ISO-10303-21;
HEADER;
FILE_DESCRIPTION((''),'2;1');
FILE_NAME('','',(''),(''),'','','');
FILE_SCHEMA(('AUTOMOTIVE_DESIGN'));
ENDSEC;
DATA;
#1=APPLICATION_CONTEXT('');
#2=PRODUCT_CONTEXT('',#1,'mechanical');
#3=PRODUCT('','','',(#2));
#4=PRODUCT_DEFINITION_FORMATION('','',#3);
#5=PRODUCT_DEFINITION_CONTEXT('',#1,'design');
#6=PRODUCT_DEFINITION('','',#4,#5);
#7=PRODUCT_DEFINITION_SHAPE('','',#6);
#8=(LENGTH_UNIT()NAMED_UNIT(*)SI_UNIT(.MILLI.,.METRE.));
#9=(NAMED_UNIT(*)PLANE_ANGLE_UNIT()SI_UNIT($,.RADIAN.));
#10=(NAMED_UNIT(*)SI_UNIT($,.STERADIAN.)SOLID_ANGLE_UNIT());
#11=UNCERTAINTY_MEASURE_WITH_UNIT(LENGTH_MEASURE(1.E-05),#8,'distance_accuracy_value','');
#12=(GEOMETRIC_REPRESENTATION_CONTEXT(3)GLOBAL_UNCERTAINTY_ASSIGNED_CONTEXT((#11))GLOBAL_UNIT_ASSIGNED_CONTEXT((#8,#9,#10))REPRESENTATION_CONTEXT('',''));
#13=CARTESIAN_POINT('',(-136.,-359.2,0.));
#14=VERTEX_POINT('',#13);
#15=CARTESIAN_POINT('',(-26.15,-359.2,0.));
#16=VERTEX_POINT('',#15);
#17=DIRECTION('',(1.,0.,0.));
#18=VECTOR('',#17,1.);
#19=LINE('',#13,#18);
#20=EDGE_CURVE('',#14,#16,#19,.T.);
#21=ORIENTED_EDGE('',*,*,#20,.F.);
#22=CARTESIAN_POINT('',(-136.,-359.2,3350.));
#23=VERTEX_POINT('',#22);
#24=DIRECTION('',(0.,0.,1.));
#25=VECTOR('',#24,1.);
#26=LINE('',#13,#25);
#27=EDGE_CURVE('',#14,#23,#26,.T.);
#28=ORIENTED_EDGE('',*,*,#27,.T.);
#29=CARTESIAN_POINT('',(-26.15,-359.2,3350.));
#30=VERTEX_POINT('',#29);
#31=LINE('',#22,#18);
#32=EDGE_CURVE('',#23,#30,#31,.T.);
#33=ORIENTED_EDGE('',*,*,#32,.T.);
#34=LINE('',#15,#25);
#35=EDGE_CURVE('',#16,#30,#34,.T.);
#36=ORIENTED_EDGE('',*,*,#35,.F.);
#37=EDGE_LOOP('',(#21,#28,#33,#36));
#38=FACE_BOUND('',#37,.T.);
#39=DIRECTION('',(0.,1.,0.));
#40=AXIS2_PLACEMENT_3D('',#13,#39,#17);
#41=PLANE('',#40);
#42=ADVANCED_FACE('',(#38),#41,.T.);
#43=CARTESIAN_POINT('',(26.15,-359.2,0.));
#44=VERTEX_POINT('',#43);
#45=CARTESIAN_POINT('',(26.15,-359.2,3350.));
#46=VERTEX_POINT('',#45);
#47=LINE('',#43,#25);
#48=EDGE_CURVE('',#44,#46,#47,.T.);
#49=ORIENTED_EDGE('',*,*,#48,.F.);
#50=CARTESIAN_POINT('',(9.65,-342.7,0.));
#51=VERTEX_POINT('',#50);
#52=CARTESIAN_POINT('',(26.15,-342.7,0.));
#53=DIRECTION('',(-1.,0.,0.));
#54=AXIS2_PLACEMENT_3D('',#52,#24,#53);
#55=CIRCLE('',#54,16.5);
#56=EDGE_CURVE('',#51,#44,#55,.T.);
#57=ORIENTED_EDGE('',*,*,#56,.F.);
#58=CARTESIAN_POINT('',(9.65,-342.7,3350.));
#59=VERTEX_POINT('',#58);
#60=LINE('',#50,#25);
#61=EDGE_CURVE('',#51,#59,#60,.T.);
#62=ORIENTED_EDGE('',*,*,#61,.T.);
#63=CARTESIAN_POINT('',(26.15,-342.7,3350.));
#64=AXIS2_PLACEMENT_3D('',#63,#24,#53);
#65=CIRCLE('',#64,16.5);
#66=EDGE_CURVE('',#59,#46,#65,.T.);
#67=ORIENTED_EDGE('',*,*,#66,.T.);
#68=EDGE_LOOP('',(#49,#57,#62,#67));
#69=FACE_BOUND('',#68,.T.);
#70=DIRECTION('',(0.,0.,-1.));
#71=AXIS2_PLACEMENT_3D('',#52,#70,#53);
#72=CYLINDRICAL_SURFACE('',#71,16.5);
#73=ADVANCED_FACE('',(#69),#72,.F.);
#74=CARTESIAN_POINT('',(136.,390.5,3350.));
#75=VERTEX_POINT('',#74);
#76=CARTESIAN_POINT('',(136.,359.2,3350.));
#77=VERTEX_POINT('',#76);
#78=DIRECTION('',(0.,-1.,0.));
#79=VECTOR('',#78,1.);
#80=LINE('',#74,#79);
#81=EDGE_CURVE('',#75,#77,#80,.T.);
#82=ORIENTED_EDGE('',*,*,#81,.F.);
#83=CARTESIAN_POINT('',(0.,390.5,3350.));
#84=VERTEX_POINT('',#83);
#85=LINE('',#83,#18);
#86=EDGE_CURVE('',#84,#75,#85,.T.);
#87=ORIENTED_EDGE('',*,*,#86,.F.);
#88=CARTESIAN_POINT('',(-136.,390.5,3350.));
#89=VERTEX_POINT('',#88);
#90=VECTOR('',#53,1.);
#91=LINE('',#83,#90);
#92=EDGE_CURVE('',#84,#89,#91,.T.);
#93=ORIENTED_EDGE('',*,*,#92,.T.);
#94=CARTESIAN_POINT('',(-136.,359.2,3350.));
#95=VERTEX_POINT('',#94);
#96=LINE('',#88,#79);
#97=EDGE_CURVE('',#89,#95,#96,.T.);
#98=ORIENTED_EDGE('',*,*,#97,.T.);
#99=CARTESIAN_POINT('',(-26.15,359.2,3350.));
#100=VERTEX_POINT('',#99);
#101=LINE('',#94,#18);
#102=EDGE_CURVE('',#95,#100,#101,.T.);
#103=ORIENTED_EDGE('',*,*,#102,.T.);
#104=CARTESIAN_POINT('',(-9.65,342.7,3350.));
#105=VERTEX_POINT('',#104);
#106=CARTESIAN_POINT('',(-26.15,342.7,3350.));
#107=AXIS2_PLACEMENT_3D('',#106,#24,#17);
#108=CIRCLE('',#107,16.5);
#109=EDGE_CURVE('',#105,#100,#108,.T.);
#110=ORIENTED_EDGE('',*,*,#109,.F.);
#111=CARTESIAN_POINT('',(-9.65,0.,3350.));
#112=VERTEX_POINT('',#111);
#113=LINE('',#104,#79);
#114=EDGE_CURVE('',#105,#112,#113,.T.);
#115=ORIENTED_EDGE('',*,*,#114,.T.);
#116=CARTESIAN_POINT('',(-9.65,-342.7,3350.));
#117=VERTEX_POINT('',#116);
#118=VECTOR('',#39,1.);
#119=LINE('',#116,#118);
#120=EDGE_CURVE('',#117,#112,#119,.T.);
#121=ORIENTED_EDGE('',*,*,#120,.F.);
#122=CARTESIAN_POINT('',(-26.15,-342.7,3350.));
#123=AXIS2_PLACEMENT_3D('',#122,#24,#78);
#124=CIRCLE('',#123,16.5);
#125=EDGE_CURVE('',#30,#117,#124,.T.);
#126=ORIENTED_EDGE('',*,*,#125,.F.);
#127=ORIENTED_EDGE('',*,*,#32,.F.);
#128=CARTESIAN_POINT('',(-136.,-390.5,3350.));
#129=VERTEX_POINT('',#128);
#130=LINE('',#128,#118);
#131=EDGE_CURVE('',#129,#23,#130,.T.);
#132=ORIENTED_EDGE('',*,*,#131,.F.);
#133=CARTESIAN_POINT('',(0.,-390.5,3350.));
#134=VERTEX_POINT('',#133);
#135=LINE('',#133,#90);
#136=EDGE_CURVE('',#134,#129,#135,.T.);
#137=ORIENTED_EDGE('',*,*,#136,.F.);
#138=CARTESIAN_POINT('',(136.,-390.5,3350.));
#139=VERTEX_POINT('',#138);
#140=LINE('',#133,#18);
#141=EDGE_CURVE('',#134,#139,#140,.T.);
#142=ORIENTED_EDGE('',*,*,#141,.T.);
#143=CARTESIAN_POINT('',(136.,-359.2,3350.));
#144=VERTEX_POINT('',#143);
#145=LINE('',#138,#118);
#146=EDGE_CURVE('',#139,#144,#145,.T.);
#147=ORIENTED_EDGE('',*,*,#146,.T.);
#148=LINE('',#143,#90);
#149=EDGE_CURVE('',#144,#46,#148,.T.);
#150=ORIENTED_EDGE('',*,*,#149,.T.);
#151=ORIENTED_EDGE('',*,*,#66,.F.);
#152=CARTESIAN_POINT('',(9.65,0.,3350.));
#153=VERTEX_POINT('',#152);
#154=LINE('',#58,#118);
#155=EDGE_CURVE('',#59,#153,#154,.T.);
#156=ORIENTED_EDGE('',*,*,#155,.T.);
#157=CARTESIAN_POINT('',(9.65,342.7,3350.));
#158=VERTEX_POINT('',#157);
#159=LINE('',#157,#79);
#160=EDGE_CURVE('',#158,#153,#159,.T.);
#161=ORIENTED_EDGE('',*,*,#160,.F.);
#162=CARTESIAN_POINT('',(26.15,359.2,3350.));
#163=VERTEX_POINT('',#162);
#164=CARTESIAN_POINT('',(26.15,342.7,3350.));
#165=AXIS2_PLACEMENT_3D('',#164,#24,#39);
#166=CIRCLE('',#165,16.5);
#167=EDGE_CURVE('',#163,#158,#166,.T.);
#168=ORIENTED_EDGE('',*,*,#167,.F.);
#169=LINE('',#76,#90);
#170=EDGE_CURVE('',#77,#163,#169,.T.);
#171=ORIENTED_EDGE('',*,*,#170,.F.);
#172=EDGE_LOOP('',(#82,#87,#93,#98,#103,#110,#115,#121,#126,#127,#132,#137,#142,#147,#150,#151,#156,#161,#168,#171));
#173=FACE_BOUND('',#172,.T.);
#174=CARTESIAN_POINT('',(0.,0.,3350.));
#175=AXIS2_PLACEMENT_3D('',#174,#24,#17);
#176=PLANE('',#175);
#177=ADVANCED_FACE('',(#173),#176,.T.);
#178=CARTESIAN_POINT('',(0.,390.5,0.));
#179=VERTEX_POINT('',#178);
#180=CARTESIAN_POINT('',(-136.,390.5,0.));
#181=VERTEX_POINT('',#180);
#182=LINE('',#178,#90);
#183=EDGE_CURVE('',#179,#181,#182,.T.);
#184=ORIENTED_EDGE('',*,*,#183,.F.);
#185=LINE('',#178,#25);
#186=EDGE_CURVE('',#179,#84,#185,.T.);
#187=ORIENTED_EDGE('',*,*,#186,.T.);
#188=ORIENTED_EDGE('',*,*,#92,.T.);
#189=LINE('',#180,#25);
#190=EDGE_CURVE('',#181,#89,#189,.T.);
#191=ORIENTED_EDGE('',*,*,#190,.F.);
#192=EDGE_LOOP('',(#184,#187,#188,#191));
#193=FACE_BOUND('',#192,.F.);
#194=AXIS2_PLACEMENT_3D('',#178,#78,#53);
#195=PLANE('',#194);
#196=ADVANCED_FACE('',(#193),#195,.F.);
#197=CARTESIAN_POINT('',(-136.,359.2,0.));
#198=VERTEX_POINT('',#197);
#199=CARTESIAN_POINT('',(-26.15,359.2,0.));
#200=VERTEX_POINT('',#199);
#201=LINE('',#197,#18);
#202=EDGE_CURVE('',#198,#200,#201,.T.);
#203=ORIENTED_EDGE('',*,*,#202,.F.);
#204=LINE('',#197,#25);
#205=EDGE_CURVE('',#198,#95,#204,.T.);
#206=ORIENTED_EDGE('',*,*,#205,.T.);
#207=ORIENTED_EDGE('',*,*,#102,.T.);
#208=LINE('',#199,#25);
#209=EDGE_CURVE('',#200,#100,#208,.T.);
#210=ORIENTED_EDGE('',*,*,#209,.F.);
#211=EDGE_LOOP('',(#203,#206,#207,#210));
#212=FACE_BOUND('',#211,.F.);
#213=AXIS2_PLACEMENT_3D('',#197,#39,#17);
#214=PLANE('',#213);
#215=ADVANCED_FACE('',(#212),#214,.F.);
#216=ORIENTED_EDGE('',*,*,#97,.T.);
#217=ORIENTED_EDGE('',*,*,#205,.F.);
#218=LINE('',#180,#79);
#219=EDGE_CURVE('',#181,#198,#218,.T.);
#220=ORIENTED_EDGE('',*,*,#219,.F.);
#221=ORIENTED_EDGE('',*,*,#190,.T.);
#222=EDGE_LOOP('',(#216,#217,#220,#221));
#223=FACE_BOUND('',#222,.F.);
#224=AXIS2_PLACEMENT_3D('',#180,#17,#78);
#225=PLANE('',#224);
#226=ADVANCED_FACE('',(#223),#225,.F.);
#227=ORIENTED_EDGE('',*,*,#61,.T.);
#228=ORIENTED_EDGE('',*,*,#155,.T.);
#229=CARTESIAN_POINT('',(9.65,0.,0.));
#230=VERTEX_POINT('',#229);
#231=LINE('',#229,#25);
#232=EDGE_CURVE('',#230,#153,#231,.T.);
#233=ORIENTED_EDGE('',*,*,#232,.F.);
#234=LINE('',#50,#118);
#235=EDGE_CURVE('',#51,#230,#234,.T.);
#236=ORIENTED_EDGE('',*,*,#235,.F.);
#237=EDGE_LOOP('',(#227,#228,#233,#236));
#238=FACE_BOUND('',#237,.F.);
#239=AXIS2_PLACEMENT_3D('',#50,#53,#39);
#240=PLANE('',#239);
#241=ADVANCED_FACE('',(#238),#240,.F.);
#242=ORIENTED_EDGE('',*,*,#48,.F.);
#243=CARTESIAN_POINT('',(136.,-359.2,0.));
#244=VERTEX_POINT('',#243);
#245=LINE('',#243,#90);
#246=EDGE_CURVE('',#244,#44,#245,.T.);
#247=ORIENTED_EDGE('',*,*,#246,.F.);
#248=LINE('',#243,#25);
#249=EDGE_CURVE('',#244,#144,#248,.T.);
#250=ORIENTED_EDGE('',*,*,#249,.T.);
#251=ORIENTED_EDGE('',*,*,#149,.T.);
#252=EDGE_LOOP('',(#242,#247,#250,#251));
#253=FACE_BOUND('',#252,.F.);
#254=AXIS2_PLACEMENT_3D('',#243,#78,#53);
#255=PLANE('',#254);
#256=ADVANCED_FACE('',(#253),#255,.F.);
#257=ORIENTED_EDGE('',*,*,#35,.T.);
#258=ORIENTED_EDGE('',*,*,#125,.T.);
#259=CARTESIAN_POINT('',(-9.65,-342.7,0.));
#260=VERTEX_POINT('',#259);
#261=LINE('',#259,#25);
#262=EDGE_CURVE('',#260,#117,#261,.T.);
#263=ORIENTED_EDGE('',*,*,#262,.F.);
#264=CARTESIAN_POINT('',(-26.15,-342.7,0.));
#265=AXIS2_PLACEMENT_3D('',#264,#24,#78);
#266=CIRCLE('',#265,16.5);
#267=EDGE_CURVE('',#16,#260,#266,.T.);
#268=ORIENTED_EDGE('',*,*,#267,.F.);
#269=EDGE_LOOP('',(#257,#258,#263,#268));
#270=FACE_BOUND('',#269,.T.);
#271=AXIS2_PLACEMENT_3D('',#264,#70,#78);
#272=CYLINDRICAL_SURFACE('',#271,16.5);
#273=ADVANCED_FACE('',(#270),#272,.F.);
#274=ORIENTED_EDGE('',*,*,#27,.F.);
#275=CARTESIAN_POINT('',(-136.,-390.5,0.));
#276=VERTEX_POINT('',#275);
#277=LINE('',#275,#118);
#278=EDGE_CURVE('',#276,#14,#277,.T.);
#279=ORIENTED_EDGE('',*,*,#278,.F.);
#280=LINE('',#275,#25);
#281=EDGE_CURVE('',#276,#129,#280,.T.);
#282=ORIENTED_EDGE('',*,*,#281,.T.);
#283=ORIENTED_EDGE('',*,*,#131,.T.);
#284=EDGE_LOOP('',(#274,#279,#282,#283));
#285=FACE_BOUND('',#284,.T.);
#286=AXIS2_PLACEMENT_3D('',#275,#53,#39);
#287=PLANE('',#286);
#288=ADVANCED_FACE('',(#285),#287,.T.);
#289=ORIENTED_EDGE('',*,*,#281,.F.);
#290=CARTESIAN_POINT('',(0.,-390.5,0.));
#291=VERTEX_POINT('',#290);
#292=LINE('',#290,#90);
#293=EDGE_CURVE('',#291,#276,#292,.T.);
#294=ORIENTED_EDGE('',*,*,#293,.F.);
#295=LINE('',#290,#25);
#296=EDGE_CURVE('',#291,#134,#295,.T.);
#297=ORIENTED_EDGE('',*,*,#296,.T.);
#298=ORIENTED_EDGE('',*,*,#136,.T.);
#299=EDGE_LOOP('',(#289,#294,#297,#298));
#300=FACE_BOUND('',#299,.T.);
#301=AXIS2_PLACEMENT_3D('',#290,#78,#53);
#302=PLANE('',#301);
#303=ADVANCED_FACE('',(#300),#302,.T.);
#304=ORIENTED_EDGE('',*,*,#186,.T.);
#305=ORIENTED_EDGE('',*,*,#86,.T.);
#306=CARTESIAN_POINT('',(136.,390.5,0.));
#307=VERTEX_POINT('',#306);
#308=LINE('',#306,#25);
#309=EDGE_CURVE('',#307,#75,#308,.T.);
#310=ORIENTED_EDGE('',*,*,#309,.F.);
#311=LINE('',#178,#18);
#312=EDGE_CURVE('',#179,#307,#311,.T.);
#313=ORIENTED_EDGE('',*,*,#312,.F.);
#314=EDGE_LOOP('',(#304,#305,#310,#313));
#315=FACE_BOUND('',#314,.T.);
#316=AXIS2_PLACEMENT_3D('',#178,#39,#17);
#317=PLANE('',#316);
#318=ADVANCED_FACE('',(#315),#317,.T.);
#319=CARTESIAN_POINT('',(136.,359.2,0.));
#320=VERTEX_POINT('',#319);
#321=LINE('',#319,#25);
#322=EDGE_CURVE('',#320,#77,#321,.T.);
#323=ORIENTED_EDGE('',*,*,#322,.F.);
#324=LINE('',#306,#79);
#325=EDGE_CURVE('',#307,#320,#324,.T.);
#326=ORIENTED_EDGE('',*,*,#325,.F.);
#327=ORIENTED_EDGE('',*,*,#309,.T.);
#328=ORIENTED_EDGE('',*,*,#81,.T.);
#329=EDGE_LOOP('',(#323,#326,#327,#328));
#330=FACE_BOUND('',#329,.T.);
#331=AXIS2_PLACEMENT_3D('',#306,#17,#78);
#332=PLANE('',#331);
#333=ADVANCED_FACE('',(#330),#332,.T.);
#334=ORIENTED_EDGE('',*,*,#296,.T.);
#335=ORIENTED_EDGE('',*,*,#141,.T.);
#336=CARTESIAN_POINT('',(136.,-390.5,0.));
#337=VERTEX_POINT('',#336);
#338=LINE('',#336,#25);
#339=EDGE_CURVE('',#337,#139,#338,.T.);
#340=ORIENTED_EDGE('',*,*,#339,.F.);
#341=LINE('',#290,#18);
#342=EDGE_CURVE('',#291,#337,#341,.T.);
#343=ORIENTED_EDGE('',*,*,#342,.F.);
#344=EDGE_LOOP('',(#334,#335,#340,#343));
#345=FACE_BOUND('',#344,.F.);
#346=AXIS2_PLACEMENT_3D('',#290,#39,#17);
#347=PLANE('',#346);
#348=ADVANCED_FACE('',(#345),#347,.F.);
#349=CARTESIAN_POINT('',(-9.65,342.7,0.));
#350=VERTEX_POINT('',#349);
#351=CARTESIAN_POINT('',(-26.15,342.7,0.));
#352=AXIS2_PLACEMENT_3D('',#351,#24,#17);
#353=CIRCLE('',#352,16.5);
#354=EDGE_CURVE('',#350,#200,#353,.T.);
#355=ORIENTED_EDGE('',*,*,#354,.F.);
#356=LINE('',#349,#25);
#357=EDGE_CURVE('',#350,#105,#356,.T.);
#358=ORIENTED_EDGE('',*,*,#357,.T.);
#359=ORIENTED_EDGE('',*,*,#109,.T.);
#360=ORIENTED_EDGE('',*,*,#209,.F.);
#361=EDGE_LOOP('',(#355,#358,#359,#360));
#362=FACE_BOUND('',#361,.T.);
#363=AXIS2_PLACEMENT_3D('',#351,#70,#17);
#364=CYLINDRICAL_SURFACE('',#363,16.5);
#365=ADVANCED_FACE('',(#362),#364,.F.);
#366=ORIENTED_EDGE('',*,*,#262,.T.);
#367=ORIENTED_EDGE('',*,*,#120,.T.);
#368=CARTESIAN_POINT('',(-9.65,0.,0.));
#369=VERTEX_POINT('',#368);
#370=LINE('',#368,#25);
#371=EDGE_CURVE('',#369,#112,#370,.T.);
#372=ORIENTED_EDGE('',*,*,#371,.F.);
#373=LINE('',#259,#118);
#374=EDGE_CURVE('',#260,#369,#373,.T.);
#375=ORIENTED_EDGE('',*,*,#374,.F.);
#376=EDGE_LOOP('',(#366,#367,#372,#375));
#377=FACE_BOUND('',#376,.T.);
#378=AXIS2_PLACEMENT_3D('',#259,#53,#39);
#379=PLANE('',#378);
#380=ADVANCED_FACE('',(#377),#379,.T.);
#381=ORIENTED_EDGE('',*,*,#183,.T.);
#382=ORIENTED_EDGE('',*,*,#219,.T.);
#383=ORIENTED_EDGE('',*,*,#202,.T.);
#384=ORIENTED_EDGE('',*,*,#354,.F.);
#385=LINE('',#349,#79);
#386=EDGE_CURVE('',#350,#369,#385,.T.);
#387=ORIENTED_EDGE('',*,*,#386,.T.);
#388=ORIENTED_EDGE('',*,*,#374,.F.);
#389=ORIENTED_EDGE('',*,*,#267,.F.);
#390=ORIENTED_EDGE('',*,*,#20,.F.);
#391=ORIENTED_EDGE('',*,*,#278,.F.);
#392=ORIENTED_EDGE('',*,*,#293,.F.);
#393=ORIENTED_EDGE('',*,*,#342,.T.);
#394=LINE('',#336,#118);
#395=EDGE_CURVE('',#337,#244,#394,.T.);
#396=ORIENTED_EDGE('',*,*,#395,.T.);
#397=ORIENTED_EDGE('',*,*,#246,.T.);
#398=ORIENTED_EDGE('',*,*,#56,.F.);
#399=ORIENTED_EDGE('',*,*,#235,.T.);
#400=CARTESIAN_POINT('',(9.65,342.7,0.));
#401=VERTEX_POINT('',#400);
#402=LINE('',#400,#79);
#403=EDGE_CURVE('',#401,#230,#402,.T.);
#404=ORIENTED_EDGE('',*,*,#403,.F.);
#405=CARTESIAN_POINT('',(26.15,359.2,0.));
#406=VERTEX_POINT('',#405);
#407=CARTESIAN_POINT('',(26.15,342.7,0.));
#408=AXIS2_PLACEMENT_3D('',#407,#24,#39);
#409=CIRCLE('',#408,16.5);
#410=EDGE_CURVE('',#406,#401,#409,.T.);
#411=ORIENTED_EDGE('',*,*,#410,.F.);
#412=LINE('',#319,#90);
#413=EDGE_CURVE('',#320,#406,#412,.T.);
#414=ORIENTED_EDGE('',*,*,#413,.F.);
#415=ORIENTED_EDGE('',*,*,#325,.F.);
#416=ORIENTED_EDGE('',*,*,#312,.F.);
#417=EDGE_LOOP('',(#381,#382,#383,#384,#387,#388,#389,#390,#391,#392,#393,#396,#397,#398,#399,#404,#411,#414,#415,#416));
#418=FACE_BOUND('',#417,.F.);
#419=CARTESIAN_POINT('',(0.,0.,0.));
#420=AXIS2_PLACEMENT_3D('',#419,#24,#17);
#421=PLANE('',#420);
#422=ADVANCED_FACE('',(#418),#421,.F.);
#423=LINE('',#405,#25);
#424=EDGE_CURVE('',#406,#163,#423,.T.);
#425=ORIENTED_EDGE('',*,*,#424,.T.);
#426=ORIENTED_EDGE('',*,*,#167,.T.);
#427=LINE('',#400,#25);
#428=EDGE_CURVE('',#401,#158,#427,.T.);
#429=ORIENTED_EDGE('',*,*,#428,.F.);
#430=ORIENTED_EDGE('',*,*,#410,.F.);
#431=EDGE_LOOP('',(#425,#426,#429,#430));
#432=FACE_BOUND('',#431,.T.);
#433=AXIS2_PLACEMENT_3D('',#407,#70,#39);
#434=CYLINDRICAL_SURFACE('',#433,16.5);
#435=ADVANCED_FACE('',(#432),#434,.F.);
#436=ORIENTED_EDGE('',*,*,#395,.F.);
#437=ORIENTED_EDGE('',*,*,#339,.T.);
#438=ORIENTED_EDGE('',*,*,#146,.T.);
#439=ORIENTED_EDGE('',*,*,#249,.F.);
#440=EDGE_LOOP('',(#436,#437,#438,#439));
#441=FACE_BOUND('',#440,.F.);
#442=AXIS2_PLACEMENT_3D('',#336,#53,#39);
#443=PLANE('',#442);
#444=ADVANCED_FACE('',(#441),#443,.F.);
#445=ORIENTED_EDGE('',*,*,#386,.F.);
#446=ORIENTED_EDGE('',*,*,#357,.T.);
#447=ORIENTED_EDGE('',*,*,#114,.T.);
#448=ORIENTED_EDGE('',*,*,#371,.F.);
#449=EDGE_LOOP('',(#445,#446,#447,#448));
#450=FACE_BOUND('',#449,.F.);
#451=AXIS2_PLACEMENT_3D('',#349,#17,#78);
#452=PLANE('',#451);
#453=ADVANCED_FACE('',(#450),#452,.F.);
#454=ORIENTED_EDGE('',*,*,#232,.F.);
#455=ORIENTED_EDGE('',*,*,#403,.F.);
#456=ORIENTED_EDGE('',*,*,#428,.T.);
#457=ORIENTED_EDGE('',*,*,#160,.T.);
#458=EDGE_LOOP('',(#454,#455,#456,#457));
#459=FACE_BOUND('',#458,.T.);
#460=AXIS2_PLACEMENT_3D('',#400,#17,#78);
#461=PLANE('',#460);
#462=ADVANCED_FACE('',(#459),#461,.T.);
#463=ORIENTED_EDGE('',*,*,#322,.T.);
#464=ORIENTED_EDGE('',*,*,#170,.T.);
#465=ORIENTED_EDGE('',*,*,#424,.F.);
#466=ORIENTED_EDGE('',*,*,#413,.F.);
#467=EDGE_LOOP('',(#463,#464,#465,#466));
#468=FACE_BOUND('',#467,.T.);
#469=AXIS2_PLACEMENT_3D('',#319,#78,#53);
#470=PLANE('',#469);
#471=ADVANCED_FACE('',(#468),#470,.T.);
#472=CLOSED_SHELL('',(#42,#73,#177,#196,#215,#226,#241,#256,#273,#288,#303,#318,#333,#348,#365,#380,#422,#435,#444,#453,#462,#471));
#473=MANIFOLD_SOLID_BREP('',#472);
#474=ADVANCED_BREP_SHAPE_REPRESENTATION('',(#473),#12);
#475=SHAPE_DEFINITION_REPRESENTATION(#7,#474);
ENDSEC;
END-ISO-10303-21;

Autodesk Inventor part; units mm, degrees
ref_plane "YZ Plane" through (0, 0, 0) normal (1, 0, 0) x (0, 1, 0)
ref_plane "Start plane" through (0, 0, 0) normal (0, 0, 1) x (1, 0, 0)
ref_plane "End plane" through (0, 0, 3350) normal (0, 0, 1) x (1, 0, 0)
sketch "Sketch" plane through (0, 0, 0) normal (0, 0, 1) x (1, 0, 0)
  line L0 (-136, -390.5) -> (-136, -359.2)
  line L1 (-136, -359.2) -> (-26.15, -359.2)
  line L2 (-9.65, -342.7) -> (-9.65, 0)
  line L3 (-9.65, 0) -> (0, 0) construction
  line L4 (0, 0) -> (0, -390.5) construction
  line L5 (0, -390.5) -> (-136, -390.5)
  line L6 (-60, 0) -> (80, 0) construction
  line L7 (0, -60) -> (0, 80) construction
  line L8 (136, -390.5) -> (136, -359.2)
  line L9 (136, -359.2) -> (26.15, -359.2)
  line L10 (9.65, -342.7) -> (9.65, 0)
  line L11 (9.65, 0) -> (0, 0) construction
  line L12 (0, -390.5) -> (136, -390.5)
  line L13 (-136, 390.5) -> (-136, 359.2)
  line L14 (-136, 359.2) -> (-26.15, 359.2)
  line L15 (-9.65, 342.7) -> (-9.65, 0)
  line L16 (0, 390.5) -> (-136, 390.5)
  line L17 (136, 390.5) -> (136, 359.2)
  line L18 (136, 359.2) -> (26.15, 359.2)
  line L19 (0, 390.5) -> (136, 390.5)
  line L20 (9.65, 342.7) -> (9.65, 0)
  arc A0 (-9.65, 342.7) -> (-26.15, 359.2) centre (-26.15, 342.7) ccw
  arc A1 (26.15, 359.2) -> (9.65, 342.7) centre (26.15, 342.7) ccw
  arc A2 (9.65, -342.7) -> (26.15, -359.2) centre (26.15, -342.7) ccw
  arc A3 (-26.15, -359.2) -> (-9.65, -342.7) centre (-26.15, -342.7) ccw
  line L21 (0, 108) -> (0, -88) construction
  line L22 (-88, 0) -> (108, 0) construction
  point P0 (-9.65, -359.2)
  point P1 (9.65, -359.2)
  point P2 (-9.65, 359.2)
  point P3 (9.65, 359.2)
  dimension "d1" = 390.5
  dimension "d2" = 31.3
  dimension "d3" = 136
  dimension "d4" = 9.65
  dimension "d10" = 16.5
extrude "Body" add sketch "Sketch" along normal up to surface (3350 mm away) from surface at 0
sketch "Sketch4" plane through (0, 0, 0) normal (0, 0, 1) x (1, 0, 0)
  line L0 (0, 0) -> (10, 0)
ref_plane "Work Plane3" through (0, 0, 0) normal (0, -1, 0) x (1, 0, 0)
sketch "Sketch5" plane through (0, 0, 0) normal (0, -1, 0) x (1, 0, 0)
  line L0 (-2, 0) -> (12, 0) projected
  line L1 (-2, 3350) -> (12, 3350) projected
  dimension "d14" = 3350
equation "\"d1\" = 0.5 * G_H"
equation "\"d2\" = G_T1"
equation "\"d3\" = 0.5 * G_W"
equation "\"d4\" = 0.5 * G_T"
equation "\"d10\" = G_IR"
equation "\"d5\" = G_L"
equation "\"G_W\" = 272"
equation "\"G_H\" = 781"
equation "\"G_T\" = 19.3"
equation "\"G_T1\" = 31.3"
equation "\"G_IR\" = 16.5"
equation "\"G_L\" = d14"
equation "\"G_OFFSET_START\" = 0"
equation "\"G_OFFSET_END\" = 0"
properties part number "AS 3679-1990 - 760 UB - 244 - 3350" material "Steel, Mild"
